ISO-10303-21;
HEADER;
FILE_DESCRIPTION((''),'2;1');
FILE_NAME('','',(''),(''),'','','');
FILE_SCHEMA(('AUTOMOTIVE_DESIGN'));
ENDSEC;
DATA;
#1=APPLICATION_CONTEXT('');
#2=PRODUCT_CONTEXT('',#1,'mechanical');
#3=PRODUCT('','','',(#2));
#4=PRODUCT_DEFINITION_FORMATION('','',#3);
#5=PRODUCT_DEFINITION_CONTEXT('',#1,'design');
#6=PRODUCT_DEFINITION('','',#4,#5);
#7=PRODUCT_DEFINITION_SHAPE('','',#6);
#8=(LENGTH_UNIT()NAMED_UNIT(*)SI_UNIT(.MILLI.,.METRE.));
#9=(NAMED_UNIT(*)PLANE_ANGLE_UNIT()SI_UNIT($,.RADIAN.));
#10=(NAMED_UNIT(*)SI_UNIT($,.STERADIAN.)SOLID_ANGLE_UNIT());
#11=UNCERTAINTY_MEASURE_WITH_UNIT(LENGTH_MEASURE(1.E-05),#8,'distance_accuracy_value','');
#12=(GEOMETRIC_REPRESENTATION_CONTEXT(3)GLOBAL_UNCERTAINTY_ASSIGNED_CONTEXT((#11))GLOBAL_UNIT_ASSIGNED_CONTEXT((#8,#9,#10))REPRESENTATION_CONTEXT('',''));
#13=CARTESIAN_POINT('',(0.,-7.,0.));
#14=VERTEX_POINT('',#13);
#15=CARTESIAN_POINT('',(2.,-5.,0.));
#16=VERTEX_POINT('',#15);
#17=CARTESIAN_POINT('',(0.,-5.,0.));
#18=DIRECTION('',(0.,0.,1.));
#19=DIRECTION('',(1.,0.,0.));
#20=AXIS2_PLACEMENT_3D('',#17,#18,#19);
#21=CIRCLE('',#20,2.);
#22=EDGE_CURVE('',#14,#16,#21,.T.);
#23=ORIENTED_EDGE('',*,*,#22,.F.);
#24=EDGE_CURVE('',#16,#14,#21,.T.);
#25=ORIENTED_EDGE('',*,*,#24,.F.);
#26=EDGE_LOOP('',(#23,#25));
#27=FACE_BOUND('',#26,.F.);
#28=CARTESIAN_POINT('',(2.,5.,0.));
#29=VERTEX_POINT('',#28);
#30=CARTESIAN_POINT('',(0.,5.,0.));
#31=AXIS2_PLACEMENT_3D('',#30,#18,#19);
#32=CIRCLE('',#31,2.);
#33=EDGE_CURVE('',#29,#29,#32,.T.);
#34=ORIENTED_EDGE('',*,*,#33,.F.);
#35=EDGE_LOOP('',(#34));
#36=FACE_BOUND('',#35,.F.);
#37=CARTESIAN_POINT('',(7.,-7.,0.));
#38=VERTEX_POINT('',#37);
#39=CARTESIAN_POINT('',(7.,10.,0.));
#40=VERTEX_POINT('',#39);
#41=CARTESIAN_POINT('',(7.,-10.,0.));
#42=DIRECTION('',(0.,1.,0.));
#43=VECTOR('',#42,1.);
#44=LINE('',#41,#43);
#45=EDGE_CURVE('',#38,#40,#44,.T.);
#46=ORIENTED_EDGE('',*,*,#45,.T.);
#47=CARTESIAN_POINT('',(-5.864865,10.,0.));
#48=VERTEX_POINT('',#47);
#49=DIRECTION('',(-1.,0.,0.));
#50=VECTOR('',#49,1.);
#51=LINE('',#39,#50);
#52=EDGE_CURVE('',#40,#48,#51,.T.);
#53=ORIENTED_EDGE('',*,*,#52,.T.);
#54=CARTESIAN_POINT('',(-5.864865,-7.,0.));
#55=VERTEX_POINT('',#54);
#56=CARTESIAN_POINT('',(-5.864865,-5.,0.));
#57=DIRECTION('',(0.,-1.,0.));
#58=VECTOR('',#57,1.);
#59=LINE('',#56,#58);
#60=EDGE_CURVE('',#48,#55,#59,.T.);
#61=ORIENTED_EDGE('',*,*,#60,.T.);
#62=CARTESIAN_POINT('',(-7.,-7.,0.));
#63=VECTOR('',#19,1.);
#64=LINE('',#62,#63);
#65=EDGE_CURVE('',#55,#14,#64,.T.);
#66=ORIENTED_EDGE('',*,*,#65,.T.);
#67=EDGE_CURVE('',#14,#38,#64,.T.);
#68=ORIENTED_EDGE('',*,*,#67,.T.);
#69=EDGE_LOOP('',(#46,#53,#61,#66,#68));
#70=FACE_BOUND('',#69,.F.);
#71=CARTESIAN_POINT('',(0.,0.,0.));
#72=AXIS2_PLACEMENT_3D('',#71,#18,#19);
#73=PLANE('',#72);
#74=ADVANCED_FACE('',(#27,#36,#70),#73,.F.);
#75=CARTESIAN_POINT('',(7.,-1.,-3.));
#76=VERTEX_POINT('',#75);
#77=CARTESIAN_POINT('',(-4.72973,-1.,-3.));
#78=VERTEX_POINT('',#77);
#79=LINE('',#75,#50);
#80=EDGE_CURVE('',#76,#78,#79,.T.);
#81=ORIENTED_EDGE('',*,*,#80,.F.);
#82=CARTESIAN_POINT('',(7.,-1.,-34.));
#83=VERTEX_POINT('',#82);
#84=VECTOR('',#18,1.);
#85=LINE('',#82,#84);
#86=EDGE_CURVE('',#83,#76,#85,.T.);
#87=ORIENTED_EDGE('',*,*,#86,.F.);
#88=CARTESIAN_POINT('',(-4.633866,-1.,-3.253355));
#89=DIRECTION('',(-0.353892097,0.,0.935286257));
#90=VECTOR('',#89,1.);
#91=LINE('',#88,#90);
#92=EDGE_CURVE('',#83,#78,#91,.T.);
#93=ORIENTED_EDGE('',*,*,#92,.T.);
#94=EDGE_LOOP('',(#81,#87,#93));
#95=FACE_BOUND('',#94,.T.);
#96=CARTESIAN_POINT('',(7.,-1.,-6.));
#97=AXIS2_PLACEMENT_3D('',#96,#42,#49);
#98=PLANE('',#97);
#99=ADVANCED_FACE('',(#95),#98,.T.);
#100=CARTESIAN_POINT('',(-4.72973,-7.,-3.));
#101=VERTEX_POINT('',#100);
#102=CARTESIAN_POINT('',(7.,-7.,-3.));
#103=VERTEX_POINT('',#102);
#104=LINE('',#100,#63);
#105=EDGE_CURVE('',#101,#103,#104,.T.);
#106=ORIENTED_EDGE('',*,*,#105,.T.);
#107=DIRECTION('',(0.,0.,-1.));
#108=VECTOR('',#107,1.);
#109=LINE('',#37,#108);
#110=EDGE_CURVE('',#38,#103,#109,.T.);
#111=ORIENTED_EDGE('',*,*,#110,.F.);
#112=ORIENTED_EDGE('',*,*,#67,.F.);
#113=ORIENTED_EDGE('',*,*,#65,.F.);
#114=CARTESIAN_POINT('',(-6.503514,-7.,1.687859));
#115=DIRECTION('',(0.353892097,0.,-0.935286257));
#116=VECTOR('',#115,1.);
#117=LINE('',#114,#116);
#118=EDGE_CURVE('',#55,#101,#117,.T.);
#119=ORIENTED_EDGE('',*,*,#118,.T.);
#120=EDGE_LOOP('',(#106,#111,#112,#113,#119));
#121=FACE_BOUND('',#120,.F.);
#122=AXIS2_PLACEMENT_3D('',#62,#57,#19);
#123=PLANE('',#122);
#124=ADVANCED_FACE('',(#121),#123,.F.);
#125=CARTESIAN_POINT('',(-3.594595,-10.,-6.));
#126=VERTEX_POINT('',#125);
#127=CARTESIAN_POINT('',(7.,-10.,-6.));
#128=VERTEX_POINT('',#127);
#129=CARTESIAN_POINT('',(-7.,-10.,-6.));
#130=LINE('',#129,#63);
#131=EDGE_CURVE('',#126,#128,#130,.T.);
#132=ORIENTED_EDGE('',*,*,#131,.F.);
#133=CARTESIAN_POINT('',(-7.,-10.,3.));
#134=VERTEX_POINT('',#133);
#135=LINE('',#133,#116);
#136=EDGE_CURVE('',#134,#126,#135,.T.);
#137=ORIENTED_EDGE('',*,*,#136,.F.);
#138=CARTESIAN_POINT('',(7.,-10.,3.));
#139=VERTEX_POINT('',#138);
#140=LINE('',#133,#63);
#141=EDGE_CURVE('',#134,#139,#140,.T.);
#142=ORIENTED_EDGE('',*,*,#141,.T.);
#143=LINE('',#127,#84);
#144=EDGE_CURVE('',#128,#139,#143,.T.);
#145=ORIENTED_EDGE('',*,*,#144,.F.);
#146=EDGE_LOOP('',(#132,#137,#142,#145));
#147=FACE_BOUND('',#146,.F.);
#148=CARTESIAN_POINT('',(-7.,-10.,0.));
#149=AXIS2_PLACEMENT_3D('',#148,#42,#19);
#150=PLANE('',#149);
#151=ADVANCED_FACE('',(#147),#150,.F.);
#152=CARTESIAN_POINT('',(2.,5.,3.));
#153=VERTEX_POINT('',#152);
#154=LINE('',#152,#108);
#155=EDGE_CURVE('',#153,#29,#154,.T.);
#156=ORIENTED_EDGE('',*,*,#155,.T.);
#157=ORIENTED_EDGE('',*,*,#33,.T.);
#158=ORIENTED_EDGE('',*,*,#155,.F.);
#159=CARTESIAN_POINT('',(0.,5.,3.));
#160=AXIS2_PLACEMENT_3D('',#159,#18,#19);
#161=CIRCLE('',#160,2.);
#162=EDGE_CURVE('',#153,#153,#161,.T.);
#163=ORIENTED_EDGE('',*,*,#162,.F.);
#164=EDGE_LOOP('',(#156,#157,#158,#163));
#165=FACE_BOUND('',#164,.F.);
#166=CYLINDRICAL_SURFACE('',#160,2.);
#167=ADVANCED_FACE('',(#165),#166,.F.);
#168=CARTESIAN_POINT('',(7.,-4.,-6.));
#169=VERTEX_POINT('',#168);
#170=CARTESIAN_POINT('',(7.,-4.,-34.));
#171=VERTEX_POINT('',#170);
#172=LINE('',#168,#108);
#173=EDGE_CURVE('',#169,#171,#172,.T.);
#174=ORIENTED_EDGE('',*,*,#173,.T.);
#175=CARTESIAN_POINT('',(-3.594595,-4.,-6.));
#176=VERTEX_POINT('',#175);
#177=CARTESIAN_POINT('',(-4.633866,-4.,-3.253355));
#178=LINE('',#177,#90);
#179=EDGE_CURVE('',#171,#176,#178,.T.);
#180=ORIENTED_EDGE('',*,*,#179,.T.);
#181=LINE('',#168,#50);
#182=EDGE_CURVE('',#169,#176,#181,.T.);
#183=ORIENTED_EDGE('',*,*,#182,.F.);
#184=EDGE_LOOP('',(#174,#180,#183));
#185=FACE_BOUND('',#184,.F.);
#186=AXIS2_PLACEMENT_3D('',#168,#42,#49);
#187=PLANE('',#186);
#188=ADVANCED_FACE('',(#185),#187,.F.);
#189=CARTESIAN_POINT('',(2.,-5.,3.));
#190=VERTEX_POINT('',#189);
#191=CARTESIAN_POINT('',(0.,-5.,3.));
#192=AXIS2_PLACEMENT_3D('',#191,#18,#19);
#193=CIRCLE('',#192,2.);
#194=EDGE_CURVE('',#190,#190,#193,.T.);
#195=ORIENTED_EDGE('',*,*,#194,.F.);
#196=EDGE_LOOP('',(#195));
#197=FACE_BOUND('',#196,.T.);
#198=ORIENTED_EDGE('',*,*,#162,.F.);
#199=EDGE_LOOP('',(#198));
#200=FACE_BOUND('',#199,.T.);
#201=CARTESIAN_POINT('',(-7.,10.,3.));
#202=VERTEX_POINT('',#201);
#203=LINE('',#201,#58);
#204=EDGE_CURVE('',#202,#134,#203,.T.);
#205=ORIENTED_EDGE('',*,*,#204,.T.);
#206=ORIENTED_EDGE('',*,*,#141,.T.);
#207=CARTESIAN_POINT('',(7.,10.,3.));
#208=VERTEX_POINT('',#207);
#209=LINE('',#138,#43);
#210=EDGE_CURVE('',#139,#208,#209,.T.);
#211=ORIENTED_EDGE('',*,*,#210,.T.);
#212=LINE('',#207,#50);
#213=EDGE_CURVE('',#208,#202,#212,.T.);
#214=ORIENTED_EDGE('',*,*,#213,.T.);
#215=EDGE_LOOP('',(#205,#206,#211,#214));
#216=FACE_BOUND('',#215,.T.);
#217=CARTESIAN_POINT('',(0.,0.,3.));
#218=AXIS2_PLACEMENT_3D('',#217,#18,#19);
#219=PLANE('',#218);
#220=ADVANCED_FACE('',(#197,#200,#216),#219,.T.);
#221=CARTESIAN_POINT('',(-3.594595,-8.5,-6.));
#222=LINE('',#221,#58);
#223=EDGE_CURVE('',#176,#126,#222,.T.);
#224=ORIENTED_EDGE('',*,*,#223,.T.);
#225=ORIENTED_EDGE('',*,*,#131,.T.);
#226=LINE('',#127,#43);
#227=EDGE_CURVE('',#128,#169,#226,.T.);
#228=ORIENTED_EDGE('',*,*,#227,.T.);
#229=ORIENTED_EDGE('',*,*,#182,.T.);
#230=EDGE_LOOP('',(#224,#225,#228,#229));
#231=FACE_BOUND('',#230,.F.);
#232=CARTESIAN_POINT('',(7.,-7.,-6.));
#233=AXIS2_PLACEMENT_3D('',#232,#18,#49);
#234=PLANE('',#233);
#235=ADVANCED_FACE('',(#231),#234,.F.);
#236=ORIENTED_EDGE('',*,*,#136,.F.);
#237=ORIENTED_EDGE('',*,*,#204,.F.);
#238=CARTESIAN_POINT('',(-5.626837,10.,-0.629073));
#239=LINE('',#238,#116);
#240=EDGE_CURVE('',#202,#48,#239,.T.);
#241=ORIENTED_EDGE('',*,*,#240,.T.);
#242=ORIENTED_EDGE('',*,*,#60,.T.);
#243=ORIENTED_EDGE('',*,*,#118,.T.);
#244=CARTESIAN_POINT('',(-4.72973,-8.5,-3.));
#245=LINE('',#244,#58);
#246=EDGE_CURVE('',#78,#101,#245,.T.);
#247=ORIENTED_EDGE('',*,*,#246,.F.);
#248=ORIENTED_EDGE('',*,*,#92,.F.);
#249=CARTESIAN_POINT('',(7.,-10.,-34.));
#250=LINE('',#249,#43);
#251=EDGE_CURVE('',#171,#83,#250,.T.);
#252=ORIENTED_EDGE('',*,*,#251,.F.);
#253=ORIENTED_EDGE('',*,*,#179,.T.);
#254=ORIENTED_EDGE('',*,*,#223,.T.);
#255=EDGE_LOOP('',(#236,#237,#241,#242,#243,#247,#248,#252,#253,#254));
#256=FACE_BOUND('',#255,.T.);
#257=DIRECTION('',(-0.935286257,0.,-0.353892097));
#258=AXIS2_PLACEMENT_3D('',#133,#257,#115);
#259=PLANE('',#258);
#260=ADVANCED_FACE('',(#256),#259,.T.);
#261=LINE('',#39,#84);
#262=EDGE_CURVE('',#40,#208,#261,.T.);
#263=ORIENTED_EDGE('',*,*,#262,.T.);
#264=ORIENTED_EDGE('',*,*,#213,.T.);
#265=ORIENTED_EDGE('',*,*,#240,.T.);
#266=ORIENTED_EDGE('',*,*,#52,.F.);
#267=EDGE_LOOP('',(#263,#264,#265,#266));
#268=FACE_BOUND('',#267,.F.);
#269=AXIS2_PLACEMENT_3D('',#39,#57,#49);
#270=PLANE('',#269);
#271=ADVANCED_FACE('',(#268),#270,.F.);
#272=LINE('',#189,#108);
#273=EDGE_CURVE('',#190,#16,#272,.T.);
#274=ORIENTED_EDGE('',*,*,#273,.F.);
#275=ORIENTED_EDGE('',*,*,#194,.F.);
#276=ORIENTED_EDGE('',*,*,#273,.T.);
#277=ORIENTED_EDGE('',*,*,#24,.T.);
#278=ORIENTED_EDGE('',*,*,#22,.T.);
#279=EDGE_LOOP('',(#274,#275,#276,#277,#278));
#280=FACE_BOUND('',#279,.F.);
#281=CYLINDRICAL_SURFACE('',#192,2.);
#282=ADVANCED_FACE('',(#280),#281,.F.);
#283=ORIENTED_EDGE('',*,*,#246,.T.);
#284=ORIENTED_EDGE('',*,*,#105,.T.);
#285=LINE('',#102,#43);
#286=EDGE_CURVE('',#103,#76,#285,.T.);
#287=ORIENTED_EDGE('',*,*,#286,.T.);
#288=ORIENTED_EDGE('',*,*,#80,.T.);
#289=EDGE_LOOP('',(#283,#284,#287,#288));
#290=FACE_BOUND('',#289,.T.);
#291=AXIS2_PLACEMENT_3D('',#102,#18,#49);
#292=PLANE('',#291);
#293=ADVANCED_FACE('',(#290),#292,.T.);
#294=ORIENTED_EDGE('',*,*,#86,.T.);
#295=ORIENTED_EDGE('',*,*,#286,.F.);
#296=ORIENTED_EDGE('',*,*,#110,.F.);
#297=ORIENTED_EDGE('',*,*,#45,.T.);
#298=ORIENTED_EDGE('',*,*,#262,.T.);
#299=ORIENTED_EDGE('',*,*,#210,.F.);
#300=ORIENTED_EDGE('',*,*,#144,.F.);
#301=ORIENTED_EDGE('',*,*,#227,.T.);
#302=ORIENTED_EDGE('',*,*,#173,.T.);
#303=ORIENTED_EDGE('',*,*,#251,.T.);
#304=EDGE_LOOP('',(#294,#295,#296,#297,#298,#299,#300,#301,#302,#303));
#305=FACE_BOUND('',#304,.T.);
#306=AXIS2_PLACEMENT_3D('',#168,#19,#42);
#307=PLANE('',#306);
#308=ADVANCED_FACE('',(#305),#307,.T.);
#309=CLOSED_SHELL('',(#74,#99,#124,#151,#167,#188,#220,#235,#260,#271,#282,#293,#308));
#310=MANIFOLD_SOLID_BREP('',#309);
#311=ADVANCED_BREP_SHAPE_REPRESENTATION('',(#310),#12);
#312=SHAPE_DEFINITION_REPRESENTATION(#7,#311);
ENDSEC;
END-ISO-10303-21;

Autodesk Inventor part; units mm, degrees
ref_plane "YZ Plane" through (0, 0, 0) normal (1, 0, 0) x (0, 1, 0)
ref_plane "XZ Plane" through (0, 0, 0) normal (0, 1, 0) x (-1, 0, 0)
ref_plane "XY Plane" through (0, 0, 0) normal (0, 0, 1) x (1, 0, 0)
sketch "Эскиз1" plane through (0, 0, 0) normal (0, 0, 1) x (1, 0, 0)
  line L0 (-7, -10) -> (7, -10)
  line L1 (7, -10) -> (7, 10)
  line L2 (7, 10) -> (-7, 10)
  line L3 (-7, 10) -> (-7, -10)
  line L4 (-7, -10) -> (7, 10) construction
  line L5 (7, -10) -> (-7, 10) construction
  point P0 (0, 0)
  dimension "d0" = 14
  dimension "d1" = 20
extrude "Выдавливание1" add sketch "Эскиз1" along normal blind 3
sketch "Эскиз2" plane through (0, 0, 0) normal (0, 0, -1) x (-1, 0, 0)
  line L0 (7, -10) -> (-7, -10) projected
  line L1 (7, 10) -> (7, -10) projected
  line L2 (-7, 10) -> (7, 10) projected
  line L3 (-7, -10) -> (-7, 10) projected
  line L4 (7, -10) -> (7, -7)
  line L5 (7, 10) -> (7, -10) construction
  line L6 (7, -10) -> (-7, -10) projected
  line L7 (7, -7) -> (-7, -7)
  line L8 (-7, -7) -> (-7, -10)
  line L9 (-7, -10) -> (7, -10)
  line L10 (7, -10) -> (7, -7)
  point P0 (0, 0)
  dimension "d4" = 3
extrude "Выдавливание2" add sketch "Эскиз2" along normal blind 6 contours L0 L3 L7 L1
sketch "Эскиз3" plane through (-7, -7, 0) normal (0, 1, 0) x (1, 0, 0)
  line L0 (14, 6) -> (0, 6) projected
  line L1 (14, 0) -> (0, 0) projected
  line L2 (14, 0) -> (14, 6) projected
  line L3 (0, 6) -> (14, 6) projected
  line L4 (0, 0) -> (0, 6) projected
  line L5 (14, 6) -> (14, 3) construction
  line L6 (14, 0) -> (14, 6) construction
  line L7 (14, 3) -> (0, 3)
  line L8 (0, 3) -> (0, 6)
  line L9 (0, 6) -> (14, 6)
  line L10 (14, 6) -> (14, 3)
  point P0 (7, 0)
  dimension "d7" = 3
extrude "Выдавливание3" add sketch "Эскиз3" along normal blind 6 contours L2 L7 L4 L0
sketch "Эскиз4" plane through (0, 0, -6) normal (0, 0, -1) x (-1, 0, 0)
  line L0 (-7, -10) -> (7, -10) projected
  line L1 (7, -10) -> (7, -1) projected
  line L2 (-7, -1) -> (7, -1) projected
  line L3 (-7, -10) -> (-7, -1) projected
  line L4 (-7, -1) -> (7, -1) construction
  line L5 (-7, -1) -> (-7, -4) construction
  line L6 (-7, -4) -> (7, -4)
  line L7 (7, -4) -> (7, -1)
  line L8 (7, -1) -> (-7, -1)
  line L9 (-7, -1) -> (-7, -4)
  point P0 (0, 0)
  dimension "d10" = 3
extrude "Выдавливание4" add sketch "Эскиз4" along normal blind 28 contours L3 L2 L1 L6
sketch "Эскиз5" plane through (-7, -10, 3) normal (0, -1, 0) x (1, 0, 0)
  line L0 (0, -9) -> (14, -9) projected
  line L1 (0, -9) -> (0, -37) projected
  line L2 (14, -37) -> (0, -37) projected
  line L3 (14, -9) -> (14, -37) projected
  line L4 (14, -9) -> (14, 0) projected
  line L5 (0, 0) -> (14, 0) projected
  line L6 (0, 0) -> (0, -9) projected
  line L7 (14, -9) -> (0, -9) projected
  line L8 (0, 0) -> (14, -37)
  line L9 (0, 0) -> (0, -37)
  line L10 (14, -37) -> (0, -37)
  point P0 (7, -3)
extrude "Выдавливание5" cut sketch "Эскиз5" against normal blind 28 contours L6 L8 L0 | L0 L8 L2 L1
sketch "Эскиз6" plane through (0, 0, 3) normal (0, 0, 1) x (1, 0, 0)
  line L0 (-7, -10) -> (7, -10) projected
  line L1 (7, -10) -> (7, 10) projected
  line L2 (7, 10) -> (-7, 10) projected
  line L3 (-7, 10) -> (-7, -10) projected
  line L4 (-7, 0) -> (7, 0) construction
  line L5 (7, -7) -> (7, 10) construction
  line L6 (7, 10) -> (-5.8649, 10) construction
  line L7 (0, 10) -> (0, -10) construction
  line L8 (0, 0) -> (0, 10) construction
  line L9 (0, 5) -> (-7, 5) construction
  line L10 (-7, 10) -> (-7, -10) construction
  line L11 (0, 5) -> (7, 5) construction
  line L12 (0, -10) -> (0, 0) construction
  line L13 (0, -5) -> (7, -5) construction
  circle A0 centre (0, 5) radius 2
  circle A1 centre (0, -5) radius 2
  dimension "d15" = 4
  dimension "d16" = 4
extrude "Выдавливание6" cut sketch "Эскиз6" against normal up to surface (6 mm away) contours A0 | A1
properties part number "Side control left"
